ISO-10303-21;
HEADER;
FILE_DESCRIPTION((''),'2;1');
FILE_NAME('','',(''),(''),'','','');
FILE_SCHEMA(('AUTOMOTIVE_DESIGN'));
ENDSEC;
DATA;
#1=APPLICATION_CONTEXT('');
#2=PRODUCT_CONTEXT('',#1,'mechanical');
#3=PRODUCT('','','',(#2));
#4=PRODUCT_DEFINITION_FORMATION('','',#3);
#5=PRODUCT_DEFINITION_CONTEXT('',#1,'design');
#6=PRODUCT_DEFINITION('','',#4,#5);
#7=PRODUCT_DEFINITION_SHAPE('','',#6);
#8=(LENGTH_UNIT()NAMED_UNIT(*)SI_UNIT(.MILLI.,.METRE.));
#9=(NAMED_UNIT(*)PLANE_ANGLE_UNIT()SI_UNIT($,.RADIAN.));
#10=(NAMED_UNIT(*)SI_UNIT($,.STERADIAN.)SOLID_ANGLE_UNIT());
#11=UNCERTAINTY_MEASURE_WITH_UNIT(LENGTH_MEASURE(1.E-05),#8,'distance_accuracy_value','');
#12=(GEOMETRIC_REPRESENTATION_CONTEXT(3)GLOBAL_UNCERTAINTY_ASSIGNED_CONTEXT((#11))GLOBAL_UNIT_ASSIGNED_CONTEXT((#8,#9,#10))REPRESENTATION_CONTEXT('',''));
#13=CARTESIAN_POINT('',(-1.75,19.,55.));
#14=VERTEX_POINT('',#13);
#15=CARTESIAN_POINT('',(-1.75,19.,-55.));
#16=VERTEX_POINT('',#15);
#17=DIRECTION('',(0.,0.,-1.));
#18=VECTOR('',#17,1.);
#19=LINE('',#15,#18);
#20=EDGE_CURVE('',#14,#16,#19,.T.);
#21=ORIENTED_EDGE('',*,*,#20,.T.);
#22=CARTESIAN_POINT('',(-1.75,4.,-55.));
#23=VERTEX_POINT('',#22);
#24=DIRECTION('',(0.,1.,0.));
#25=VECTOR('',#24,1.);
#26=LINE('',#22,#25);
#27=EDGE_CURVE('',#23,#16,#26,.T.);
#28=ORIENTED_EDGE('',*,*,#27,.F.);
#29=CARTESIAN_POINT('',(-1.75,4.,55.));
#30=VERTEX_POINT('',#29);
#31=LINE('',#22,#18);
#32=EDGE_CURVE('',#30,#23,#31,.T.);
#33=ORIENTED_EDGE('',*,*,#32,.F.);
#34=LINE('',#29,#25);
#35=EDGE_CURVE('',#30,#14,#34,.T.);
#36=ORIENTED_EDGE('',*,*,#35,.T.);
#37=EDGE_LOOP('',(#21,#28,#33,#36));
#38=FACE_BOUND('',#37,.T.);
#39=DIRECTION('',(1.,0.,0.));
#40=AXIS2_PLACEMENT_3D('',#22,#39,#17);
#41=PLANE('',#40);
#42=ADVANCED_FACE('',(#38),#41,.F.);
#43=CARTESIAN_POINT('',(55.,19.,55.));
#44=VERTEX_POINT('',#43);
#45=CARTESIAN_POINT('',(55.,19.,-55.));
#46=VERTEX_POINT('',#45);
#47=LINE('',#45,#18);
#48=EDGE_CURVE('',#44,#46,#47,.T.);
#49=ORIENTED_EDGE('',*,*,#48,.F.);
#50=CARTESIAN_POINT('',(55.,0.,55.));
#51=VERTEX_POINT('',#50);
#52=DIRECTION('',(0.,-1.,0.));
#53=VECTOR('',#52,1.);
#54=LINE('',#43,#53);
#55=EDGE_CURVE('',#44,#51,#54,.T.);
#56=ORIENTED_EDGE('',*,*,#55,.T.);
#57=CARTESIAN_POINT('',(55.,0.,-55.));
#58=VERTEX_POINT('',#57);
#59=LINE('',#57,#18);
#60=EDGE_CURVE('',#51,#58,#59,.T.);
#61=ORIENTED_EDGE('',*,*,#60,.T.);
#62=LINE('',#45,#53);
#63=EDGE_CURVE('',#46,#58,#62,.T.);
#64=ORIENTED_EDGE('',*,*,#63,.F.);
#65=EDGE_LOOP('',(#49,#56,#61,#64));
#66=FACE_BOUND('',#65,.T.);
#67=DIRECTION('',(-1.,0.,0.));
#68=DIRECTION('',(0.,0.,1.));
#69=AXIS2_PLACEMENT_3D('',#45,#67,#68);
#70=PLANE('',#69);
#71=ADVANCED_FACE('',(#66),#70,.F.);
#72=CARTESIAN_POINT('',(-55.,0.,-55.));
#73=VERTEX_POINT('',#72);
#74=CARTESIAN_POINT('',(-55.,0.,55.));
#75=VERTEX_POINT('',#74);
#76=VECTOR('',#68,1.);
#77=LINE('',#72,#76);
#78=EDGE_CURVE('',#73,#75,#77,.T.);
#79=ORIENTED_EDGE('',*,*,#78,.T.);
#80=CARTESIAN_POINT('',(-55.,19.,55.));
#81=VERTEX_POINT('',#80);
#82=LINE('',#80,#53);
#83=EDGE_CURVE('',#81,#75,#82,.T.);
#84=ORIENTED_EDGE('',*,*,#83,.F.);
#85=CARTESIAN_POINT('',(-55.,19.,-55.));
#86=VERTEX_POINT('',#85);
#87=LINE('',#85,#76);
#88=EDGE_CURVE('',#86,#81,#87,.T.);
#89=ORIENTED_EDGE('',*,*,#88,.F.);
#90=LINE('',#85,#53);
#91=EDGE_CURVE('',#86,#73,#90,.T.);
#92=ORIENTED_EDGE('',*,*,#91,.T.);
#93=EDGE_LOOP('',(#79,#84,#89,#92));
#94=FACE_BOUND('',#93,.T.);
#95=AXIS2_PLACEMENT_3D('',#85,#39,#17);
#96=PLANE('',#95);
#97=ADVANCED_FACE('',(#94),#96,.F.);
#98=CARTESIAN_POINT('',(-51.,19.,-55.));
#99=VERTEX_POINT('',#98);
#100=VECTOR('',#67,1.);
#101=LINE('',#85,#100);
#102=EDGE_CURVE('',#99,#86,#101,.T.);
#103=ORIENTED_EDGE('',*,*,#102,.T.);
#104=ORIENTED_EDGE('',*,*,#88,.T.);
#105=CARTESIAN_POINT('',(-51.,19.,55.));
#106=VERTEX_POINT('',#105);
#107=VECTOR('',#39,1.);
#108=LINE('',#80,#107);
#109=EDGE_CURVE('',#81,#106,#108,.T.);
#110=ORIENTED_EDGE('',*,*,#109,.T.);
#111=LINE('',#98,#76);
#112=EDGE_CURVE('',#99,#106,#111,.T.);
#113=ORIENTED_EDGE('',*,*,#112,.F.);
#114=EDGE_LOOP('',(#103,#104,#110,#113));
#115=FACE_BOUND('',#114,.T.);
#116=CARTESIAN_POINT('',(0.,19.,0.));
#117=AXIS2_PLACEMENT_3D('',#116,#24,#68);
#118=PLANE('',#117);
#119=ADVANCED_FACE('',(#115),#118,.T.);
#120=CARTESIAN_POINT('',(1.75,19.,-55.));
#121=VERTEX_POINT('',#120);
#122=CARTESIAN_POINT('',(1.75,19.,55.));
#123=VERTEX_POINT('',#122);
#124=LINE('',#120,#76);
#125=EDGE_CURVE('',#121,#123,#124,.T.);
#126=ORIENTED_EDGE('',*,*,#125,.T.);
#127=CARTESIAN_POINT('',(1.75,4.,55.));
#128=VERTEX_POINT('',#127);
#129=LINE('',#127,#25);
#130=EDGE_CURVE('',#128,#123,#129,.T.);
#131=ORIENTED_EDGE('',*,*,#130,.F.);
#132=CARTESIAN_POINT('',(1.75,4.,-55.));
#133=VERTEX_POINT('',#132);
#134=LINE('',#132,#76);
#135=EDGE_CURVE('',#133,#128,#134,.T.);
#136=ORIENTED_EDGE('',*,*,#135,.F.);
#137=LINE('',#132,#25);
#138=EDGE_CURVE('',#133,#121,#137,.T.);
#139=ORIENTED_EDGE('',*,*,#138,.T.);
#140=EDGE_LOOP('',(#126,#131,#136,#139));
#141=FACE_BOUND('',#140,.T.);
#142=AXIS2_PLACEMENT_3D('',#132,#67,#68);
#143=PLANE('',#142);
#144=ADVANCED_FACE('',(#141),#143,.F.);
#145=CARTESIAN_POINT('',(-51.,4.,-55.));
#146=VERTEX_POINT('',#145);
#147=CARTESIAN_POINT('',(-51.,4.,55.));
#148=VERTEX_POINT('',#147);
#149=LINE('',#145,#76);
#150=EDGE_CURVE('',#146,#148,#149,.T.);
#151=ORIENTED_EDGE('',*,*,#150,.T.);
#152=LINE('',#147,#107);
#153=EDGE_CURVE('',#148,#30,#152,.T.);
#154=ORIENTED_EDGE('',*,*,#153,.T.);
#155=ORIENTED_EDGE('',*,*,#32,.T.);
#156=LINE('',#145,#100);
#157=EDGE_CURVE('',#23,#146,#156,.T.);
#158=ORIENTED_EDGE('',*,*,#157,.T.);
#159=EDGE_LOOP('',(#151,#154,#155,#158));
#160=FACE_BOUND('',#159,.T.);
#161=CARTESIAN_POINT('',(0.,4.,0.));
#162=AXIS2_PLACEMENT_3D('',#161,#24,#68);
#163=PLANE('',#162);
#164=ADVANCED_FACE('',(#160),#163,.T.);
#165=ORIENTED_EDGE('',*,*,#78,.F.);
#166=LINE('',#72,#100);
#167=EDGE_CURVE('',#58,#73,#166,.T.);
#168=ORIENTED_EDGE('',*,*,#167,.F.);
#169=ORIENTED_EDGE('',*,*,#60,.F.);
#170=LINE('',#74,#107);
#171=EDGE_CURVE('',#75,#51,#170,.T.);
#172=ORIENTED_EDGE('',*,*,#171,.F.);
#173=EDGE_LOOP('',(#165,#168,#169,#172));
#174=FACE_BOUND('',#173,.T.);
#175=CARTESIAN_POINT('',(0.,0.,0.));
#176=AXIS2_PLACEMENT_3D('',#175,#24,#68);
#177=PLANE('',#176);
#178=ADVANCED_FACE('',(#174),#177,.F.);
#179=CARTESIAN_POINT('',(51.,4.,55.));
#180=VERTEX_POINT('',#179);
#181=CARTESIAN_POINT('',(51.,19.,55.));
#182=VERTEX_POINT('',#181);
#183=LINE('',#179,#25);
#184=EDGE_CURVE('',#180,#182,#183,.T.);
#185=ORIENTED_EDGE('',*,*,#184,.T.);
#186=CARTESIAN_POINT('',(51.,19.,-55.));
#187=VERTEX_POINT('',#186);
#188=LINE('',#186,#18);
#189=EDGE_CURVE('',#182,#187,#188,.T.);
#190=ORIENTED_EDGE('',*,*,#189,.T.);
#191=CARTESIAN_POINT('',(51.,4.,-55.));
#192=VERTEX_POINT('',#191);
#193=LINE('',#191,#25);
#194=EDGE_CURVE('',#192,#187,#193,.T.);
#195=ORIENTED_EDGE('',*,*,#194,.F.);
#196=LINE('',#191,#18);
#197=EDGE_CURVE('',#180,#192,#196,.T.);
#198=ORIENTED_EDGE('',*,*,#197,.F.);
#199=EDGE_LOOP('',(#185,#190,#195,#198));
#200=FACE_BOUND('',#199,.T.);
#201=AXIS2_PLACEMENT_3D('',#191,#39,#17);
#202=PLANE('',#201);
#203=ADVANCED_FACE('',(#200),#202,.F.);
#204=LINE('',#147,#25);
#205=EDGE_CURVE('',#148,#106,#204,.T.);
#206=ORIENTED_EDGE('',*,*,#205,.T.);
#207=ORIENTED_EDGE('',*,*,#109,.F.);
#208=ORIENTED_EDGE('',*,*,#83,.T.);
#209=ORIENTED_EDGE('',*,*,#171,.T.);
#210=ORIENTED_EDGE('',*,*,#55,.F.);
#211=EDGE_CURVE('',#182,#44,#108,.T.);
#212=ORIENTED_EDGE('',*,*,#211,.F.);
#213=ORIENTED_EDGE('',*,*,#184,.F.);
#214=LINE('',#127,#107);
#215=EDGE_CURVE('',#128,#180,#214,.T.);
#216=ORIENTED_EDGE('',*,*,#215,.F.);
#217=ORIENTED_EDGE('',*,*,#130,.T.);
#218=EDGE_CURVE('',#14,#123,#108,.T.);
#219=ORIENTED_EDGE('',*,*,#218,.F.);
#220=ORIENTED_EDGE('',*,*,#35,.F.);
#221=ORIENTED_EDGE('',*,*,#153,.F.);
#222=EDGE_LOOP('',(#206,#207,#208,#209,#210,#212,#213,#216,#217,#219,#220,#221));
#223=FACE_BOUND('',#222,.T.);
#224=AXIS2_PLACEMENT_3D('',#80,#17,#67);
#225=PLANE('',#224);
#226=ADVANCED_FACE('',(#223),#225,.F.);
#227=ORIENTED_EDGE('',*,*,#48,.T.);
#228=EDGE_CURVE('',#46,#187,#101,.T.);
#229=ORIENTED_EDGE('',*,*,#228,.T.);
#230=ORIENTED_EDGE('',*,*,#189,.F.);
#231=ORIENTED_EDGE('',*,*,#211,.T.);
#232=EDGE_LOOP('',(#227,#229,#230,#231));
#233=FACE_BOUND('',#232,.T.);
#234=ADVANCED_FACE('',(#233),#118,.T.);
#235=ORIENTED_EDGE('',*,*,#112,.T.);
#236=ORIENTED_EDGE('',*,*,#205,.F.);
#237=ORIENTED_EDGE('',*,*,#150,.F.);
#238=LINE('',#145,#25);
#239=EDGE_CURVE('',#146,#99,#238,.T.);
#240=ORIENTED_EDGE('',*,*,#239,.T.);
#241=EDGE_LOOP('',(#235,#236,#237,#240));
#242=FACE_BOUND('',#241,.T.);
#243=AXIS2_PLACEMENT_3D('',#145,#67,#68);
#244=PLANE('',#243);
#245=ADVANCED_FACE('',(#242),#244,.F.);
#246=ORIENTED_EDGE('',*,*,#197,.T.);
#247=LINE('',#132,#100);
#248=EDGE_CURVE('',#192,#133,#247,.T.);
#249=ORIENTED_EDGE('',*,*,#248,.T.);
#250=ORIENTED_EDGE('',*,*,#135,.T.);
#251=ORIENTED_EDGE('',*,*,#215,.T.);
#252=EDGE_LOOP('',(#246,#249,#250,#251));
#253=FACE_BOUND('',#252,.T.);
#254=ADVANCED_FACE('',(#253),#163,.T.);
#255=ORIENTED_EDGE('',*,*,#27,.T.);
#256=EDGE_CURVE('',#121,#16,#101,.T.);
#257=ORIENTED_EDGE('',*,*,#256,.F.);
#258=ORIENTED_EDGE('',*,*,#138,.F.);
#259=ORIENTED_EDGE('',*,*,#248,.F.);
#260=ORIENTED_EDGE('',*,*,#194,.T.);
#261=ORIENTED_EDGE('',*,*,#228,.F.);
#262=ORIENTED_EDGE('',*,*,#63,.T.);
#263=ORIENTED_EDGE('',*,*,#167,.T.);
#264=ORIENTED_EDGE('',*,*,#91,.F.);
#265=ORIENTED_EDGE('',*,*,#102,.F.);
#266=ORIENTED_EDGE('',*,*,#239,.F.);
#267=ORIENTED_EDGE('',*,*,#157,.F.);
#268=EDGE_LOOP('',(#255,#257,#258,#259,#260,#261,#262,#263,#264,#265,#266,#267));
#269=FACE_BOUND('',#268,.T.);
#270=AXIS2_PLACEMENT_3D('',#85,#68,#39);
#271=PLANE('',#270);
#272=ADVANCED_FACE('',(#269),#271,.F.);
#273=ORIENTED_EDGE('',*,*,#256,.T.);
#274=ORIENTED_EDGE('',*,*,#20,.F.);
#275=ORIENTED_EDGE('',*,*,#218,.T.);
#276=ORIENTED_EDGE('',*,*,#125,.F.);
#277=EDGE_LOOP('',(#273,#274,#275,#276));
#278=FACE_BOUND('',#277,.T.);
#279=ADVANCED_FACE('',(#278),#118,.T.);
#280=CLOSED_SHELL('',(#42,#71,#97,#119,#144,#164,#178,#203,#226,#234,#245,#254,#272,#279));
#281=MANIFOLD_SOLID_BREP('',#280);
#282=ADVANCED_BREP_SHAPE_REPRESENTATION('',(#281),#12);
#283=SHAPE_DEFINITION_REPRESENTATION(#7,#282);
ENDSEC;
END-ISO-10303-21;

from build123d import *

# Parameters (mm, degrees)
SKETCH1_W           = 110
SKETCH1_H           = 110
BOSS_EXTRUDE1_DEPTH = 19
SKETCH2_W           = 49.25
SKETCH2_H           = 110
CUT_EXTRUDE2_DEPTH  = 15


with BuildPart() as part:
    # Sketch1 → Boss-Extrude1 (new body)
    with BuildSketch(Plane(origin=(0, 0, 0), x_dir=(1, 0, 0), z_dir=(0, 1, 0))):
        Rectangle(SKETCH1_W, SKETCH1_H)
    extrude(amount=BOSS_EXTRUDE1_DEPTH)

    # Sketch2 → Cut-Extrude2 (cut)
    with BuildSketch(Plane(origin=(0, 19, 0), x_dir=(1, 0, 0), z_dir=(0, 1, 0))):
        with Locations((-26.375, 0)):
            Rectangle(SKETCH2_W, SKETCH2_H)
        with Locations((26.375, 0)):
            Rectangle(SKETCH2_W, SKETCH2_H)
    extrude(amount=-CUT_EXTRUDE2_DEPTH, mode=Mode.SUBTRACT)


solid = part.part
